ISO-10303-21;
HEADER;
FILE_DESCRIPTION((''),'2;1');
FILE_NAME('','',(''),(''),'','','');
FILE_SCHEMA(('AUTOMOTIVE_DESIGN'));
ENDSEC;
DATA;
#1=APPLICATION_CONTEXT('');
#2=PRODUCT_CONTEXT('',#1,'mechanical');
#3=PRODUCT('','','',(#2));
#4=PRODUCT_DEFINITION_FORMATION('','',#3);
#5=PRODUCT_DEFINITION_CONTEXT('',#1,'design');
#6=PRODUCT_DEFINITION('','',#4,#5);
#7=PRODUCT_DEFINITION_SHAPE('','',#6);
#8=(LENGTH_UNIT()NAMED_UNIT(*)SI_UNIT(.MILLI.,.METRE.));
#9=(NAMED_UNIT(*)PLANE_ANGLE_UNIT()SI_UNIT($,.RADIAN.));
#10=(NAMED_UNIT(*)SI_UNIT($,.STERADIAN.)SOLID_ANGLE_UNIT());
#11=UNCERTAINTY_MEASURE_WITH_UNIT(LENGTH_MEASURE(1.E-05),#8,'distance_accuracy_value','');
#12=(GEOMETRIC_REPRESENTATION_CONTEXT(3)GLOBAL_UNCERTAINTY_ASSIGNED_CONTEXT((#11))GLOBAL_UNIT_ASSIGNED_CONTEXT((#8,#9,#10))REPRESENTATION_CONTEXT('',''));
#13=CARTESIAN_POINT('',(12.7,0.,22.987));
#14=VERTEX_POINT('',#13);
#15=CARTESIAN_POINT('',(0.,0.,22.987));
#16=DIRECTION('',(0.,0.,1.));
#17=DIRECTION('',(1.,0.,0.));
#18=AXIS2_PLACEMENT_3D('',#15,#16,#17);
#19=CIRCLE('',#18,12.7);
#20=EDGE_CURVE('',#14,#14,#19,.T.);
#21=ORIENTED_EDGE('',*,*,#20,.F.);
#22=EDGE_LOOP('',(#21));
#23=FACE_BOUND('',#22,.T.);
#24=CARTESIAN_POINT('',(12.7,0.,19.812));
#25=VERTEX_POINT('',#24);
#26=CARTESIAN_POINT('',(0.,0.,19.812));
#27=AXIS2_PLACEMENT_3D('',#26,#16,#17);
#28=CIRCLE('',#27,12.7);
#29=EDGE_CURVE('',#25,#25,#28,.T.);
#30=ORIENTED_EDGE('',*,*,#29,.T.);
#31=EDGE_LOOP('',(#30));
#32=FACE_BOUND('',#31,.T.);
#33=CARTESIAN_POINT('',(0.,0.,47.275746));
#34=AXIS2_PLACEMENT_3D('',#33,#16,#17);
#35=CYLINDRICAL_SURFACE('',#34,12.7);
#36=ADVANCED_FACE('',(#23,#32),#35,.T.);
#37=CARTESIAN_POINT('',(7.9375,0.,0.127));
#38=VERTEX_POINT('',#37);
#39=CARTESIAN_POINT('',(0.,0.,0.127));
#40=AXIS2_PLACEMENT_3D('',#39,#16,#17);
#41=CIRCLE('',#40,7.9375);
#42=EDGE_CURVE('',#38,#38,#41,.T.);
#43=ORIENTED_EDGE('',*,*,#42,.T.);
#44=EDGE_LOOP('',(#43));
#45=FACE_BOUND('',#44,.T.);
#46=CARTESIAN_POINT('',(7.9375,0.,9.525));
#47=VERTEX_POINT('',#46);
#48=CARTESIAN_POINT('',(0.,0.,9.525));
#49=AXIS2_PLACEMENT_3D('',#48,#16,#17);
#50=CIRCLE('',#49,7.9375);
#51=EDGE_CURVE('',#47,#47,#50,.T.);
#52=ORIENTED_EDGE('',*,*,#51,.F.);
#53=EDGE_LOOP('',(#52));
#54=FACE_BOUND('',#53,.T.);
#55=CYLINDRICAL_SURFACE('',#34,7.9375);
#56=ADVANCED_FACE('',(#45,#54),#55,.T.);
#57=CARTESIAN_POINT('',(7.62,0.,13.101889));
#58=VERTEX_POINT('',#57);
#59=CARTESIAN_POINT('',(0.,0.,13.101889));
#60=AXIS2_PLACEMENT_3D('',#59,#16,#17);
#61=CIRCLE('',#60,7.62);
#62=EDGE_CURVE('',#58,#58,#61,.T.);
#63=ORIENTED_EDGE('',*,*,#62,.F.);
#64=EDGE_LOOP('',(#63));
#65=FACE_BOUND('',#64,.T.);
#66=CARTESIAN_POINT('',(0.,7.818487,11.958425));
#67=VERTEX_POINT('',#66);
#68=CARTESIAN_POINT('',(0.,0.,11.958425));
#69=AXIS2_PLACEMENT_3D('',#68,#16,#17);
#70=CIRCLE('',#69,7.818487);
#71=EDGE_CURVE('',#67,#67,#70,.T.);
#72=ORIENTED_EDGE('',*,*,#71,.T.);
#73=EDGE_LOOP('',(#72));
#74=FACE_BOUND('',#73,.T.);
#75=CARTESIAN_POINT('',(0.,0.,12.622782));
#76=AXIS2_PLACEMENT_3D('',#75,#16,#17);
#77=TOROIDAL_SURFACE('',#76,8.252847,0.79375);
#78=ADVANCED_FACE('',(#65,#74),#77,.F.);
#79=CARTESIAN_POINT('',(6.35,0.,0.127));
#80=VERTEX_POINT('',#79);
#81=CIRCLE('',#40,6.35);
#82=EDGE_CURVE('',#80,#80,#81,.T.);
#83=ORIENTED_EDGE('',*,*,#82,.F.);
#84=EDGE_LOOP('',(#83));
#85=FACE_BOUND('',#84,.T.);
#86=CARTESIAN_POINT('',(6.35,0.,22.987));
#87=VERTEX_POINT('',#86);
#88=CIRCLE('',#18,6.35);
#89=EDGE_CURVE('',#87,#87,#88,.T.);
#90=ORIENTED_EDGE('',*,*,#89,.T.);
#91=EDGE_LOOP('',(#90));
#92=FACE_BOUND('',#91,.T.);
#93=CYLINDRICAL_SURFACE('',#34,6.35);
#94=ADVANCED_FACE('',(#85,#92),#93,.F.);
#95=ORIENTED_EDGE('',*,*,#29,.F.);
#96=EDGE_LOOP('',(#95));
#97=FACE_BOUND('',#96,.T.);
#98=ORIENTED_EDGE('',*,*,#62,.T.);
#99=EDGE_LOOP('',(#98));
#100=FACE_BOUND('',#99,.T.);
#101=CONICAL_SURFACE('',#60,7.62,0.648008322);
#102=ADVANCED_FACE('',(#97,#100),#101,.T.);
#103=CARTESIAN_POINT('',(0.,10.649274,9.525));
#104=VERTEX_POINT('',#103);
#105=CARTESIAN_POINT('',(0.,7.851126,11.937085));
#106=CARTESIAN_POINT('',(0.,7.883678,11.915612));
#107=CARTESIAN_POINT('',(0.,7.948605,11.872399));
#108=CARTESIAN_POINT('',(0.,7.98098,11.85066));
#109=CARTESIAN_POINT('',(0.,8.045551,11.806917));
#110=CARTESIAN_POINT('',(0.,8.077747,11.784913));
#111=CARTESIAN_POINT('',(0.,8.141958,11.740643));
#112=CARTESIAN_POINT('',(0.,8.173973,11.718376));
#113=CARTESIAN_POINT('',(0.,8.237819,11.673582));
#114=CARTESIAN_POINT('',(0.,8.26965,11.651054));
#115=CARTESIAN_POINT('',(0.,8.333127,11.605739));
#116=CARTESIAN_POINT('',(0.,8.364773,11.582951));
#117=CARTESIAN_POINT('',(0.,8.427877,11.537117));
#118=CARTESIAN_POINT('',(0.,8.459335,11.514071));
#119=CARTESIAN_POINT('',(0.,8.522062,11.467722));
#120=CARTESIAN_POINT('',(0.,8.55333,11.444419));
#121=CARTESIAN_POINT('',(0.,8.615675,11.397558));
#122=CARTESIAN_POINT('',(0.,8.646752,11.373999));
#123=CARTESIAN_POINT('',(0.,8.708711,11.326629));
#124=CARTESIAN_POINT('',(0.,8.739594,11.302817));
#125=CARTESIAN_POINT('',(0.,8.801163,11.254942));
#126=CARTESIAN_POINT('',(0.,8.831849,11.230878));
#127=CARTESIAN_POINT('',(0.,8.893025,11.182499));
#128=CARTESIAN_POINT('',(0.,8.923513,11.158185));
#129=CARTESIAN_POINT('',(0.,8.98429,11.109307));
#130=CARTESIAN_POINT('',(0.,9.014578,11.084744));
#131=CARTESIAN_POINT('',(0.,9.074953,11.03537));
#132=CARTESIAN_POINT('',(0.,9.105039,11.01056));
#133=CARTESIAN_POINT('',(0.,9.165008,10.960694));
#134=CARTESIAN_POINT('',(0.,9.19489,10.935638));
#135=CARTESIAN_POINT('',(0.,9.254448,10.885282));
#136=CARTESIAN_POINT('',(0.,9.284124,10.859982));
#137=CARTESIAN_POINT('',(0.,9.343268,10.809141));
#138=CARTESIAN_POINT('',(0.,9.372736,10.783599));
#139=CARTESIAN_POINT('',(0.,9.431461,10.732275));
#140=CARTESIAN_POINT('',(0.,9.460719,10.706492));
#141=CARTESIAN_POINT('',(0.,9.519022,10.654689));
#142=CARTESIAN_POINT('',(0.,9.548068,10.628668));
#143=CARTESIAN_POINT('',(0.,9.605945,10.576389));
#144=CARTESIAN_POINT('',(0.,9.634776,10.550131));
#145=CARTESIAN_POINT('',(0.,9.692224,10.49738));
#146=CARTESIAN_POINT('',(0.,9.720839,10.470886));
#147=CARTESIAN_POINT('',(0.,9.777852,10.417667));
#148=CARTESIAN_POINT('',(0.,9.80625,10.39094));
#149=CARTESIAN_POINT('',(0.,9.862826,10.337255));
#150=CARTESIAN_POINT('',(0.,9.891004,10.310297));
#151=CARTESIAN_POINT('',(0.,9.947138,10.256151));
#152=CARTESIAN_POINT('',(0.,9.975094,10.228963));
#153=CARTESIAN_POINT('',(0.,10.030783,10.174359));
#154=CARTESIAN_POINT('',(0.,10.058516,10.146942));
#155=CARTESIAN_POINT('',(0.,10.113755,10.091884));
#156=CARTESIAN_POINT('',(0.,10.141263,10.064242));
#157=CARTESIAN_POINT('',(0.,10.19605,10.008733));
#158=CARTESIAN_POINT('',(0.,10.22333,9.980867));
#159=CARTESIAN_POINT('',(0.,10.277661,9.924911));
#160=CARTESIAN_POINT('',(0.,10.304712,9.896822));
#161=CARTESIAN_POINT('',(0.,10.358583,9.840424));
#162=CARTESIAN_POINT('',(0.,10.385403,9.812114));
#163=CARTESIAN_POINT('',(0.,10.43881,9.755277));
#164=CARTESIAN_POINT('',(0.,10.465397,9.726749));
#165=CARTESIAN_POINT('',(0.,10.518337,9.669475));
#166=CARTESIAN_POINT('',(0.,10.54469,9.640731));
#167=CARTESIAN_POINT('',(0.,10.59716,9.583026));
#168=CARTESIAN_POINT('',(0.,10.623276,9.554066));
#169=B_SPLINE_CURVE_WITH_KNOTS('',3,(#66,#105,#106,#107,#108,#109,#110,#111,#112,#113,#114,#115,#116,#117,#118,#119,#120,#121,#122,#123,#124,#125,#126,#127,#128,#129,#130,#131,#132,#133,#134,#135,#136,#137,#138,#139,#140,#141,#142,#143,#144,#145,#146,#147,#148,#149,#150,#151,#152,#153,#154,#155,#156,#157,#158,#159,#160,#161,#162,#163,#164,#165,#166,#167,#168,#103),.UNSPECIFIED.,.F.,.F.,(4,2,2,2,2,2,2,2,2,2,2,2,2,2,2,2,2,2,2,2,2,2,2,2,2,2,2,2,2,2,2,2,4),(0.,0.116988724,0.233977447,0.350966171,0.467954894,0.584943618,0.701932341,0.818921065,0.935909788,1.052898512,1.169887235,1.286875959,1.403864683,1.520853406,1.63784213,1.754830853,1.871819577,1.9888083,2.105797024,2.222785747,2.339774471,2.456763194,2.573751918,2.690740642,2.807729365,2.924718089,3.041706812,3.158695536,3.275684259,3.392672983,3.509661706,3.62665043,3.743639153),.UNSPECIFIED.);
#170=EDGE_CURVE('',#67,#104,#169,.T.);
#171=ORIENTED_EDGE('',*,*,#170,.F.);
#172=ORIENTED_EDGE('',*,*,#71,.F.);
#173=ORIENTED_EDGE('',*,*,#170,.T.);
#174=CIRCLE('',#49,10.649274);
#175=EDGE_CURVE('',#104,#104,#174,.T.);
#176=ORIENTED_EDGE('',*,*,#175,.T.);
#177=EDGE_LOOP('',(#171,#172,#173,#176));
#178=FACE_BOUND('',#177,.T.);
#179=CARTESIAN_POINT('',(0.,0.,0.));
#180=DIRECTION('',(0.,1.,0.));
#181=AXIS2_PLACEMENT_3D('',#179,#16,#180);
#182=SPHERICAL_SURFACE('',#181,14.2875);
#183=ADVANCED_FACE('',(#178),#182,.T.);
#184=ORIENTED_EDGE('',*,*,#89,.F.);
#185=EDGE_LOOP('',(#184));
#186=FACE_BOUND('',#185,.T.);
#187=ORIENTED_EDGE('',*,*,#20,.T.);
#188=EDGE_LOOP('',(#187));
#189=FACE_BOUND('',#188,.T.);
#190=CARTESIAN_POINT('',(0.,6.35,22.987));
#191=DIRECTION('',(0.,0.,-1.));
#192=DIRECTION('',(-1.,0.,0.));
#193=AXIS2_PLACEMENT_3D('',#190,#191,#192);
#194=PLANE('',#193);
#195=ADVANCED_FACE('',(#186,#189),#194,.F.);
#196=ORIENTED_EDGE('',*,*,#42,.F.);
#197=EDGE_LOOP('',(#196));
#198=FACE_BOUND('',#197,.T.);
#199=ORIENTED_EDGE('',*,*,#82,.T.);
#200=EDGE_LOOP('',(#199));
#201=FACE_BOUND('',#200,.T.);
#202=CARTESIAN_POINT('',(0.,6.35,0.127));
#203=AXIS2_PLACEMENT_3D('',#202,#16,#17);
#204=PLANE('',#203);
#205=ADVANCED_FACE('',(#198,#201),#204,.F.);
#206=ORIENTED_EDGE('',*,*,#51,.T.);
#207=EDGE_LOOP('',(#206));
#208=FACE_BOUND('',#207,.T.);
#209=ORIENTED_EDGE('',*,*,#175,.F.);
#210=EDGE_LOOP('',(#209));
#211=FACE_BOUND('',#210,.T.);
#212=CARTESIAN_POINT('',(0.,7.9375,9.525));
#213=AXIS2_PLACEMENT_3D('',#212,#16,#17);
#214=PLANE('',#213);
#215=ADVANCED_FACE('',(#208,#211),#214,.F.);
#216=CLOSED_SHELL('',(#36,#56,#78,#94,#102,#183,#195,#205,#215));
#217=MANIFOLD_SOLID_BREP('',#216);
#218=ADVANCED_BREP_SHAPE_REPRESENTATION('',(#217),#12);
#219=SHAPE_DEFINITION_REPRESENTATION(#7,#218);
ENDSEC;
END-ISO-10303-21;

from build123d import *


with BuildPart() as part:
    # Sketch1 → Revolve1 (revolve)
    with BuildSketch(Plane(origin=(0, 0, 0), x_dir=(0, 0, -1), z_dir=(1, 0, 0)), mode=Mode.PRIVATE) as revolve1_sk:
        with BuildLine():
            Line((-0.127, 6.35), (-0.127, 7.9375))
            Line((-0.127, 7.9375), (-9.525, 7.9375))
            Line((-9.525, 7.9375), (-9.525, 10.649273743))
            ThreePointArc((-9.525, 10.649273743), (-10.834561548, 9.313695954), (-11.958424774, 7.818486629))
            ThreePointArc((-11.958424774, 7.818486629), (-12.487029733, 7.470791715), (-13.10188894, 7.62))
            Line((-13.10188894, 7.62), (-19.812, 12.7))
            Line((-19.812, 12.7), (-22.987, 12.7))
            Line((-22.987, 12.7), (-22.987, 6.35))
            Line((-22.987, 6.35), (-0.127, 6.35))
        make_face()
    revolve(revolve1_sk.sketch.rotate(Axis((0, 0, 47.275745838), (0, 0, -1)), 90), axis=Axis((0, 0, 47.275745838), (0, 0, -1)))


solid = part.part
